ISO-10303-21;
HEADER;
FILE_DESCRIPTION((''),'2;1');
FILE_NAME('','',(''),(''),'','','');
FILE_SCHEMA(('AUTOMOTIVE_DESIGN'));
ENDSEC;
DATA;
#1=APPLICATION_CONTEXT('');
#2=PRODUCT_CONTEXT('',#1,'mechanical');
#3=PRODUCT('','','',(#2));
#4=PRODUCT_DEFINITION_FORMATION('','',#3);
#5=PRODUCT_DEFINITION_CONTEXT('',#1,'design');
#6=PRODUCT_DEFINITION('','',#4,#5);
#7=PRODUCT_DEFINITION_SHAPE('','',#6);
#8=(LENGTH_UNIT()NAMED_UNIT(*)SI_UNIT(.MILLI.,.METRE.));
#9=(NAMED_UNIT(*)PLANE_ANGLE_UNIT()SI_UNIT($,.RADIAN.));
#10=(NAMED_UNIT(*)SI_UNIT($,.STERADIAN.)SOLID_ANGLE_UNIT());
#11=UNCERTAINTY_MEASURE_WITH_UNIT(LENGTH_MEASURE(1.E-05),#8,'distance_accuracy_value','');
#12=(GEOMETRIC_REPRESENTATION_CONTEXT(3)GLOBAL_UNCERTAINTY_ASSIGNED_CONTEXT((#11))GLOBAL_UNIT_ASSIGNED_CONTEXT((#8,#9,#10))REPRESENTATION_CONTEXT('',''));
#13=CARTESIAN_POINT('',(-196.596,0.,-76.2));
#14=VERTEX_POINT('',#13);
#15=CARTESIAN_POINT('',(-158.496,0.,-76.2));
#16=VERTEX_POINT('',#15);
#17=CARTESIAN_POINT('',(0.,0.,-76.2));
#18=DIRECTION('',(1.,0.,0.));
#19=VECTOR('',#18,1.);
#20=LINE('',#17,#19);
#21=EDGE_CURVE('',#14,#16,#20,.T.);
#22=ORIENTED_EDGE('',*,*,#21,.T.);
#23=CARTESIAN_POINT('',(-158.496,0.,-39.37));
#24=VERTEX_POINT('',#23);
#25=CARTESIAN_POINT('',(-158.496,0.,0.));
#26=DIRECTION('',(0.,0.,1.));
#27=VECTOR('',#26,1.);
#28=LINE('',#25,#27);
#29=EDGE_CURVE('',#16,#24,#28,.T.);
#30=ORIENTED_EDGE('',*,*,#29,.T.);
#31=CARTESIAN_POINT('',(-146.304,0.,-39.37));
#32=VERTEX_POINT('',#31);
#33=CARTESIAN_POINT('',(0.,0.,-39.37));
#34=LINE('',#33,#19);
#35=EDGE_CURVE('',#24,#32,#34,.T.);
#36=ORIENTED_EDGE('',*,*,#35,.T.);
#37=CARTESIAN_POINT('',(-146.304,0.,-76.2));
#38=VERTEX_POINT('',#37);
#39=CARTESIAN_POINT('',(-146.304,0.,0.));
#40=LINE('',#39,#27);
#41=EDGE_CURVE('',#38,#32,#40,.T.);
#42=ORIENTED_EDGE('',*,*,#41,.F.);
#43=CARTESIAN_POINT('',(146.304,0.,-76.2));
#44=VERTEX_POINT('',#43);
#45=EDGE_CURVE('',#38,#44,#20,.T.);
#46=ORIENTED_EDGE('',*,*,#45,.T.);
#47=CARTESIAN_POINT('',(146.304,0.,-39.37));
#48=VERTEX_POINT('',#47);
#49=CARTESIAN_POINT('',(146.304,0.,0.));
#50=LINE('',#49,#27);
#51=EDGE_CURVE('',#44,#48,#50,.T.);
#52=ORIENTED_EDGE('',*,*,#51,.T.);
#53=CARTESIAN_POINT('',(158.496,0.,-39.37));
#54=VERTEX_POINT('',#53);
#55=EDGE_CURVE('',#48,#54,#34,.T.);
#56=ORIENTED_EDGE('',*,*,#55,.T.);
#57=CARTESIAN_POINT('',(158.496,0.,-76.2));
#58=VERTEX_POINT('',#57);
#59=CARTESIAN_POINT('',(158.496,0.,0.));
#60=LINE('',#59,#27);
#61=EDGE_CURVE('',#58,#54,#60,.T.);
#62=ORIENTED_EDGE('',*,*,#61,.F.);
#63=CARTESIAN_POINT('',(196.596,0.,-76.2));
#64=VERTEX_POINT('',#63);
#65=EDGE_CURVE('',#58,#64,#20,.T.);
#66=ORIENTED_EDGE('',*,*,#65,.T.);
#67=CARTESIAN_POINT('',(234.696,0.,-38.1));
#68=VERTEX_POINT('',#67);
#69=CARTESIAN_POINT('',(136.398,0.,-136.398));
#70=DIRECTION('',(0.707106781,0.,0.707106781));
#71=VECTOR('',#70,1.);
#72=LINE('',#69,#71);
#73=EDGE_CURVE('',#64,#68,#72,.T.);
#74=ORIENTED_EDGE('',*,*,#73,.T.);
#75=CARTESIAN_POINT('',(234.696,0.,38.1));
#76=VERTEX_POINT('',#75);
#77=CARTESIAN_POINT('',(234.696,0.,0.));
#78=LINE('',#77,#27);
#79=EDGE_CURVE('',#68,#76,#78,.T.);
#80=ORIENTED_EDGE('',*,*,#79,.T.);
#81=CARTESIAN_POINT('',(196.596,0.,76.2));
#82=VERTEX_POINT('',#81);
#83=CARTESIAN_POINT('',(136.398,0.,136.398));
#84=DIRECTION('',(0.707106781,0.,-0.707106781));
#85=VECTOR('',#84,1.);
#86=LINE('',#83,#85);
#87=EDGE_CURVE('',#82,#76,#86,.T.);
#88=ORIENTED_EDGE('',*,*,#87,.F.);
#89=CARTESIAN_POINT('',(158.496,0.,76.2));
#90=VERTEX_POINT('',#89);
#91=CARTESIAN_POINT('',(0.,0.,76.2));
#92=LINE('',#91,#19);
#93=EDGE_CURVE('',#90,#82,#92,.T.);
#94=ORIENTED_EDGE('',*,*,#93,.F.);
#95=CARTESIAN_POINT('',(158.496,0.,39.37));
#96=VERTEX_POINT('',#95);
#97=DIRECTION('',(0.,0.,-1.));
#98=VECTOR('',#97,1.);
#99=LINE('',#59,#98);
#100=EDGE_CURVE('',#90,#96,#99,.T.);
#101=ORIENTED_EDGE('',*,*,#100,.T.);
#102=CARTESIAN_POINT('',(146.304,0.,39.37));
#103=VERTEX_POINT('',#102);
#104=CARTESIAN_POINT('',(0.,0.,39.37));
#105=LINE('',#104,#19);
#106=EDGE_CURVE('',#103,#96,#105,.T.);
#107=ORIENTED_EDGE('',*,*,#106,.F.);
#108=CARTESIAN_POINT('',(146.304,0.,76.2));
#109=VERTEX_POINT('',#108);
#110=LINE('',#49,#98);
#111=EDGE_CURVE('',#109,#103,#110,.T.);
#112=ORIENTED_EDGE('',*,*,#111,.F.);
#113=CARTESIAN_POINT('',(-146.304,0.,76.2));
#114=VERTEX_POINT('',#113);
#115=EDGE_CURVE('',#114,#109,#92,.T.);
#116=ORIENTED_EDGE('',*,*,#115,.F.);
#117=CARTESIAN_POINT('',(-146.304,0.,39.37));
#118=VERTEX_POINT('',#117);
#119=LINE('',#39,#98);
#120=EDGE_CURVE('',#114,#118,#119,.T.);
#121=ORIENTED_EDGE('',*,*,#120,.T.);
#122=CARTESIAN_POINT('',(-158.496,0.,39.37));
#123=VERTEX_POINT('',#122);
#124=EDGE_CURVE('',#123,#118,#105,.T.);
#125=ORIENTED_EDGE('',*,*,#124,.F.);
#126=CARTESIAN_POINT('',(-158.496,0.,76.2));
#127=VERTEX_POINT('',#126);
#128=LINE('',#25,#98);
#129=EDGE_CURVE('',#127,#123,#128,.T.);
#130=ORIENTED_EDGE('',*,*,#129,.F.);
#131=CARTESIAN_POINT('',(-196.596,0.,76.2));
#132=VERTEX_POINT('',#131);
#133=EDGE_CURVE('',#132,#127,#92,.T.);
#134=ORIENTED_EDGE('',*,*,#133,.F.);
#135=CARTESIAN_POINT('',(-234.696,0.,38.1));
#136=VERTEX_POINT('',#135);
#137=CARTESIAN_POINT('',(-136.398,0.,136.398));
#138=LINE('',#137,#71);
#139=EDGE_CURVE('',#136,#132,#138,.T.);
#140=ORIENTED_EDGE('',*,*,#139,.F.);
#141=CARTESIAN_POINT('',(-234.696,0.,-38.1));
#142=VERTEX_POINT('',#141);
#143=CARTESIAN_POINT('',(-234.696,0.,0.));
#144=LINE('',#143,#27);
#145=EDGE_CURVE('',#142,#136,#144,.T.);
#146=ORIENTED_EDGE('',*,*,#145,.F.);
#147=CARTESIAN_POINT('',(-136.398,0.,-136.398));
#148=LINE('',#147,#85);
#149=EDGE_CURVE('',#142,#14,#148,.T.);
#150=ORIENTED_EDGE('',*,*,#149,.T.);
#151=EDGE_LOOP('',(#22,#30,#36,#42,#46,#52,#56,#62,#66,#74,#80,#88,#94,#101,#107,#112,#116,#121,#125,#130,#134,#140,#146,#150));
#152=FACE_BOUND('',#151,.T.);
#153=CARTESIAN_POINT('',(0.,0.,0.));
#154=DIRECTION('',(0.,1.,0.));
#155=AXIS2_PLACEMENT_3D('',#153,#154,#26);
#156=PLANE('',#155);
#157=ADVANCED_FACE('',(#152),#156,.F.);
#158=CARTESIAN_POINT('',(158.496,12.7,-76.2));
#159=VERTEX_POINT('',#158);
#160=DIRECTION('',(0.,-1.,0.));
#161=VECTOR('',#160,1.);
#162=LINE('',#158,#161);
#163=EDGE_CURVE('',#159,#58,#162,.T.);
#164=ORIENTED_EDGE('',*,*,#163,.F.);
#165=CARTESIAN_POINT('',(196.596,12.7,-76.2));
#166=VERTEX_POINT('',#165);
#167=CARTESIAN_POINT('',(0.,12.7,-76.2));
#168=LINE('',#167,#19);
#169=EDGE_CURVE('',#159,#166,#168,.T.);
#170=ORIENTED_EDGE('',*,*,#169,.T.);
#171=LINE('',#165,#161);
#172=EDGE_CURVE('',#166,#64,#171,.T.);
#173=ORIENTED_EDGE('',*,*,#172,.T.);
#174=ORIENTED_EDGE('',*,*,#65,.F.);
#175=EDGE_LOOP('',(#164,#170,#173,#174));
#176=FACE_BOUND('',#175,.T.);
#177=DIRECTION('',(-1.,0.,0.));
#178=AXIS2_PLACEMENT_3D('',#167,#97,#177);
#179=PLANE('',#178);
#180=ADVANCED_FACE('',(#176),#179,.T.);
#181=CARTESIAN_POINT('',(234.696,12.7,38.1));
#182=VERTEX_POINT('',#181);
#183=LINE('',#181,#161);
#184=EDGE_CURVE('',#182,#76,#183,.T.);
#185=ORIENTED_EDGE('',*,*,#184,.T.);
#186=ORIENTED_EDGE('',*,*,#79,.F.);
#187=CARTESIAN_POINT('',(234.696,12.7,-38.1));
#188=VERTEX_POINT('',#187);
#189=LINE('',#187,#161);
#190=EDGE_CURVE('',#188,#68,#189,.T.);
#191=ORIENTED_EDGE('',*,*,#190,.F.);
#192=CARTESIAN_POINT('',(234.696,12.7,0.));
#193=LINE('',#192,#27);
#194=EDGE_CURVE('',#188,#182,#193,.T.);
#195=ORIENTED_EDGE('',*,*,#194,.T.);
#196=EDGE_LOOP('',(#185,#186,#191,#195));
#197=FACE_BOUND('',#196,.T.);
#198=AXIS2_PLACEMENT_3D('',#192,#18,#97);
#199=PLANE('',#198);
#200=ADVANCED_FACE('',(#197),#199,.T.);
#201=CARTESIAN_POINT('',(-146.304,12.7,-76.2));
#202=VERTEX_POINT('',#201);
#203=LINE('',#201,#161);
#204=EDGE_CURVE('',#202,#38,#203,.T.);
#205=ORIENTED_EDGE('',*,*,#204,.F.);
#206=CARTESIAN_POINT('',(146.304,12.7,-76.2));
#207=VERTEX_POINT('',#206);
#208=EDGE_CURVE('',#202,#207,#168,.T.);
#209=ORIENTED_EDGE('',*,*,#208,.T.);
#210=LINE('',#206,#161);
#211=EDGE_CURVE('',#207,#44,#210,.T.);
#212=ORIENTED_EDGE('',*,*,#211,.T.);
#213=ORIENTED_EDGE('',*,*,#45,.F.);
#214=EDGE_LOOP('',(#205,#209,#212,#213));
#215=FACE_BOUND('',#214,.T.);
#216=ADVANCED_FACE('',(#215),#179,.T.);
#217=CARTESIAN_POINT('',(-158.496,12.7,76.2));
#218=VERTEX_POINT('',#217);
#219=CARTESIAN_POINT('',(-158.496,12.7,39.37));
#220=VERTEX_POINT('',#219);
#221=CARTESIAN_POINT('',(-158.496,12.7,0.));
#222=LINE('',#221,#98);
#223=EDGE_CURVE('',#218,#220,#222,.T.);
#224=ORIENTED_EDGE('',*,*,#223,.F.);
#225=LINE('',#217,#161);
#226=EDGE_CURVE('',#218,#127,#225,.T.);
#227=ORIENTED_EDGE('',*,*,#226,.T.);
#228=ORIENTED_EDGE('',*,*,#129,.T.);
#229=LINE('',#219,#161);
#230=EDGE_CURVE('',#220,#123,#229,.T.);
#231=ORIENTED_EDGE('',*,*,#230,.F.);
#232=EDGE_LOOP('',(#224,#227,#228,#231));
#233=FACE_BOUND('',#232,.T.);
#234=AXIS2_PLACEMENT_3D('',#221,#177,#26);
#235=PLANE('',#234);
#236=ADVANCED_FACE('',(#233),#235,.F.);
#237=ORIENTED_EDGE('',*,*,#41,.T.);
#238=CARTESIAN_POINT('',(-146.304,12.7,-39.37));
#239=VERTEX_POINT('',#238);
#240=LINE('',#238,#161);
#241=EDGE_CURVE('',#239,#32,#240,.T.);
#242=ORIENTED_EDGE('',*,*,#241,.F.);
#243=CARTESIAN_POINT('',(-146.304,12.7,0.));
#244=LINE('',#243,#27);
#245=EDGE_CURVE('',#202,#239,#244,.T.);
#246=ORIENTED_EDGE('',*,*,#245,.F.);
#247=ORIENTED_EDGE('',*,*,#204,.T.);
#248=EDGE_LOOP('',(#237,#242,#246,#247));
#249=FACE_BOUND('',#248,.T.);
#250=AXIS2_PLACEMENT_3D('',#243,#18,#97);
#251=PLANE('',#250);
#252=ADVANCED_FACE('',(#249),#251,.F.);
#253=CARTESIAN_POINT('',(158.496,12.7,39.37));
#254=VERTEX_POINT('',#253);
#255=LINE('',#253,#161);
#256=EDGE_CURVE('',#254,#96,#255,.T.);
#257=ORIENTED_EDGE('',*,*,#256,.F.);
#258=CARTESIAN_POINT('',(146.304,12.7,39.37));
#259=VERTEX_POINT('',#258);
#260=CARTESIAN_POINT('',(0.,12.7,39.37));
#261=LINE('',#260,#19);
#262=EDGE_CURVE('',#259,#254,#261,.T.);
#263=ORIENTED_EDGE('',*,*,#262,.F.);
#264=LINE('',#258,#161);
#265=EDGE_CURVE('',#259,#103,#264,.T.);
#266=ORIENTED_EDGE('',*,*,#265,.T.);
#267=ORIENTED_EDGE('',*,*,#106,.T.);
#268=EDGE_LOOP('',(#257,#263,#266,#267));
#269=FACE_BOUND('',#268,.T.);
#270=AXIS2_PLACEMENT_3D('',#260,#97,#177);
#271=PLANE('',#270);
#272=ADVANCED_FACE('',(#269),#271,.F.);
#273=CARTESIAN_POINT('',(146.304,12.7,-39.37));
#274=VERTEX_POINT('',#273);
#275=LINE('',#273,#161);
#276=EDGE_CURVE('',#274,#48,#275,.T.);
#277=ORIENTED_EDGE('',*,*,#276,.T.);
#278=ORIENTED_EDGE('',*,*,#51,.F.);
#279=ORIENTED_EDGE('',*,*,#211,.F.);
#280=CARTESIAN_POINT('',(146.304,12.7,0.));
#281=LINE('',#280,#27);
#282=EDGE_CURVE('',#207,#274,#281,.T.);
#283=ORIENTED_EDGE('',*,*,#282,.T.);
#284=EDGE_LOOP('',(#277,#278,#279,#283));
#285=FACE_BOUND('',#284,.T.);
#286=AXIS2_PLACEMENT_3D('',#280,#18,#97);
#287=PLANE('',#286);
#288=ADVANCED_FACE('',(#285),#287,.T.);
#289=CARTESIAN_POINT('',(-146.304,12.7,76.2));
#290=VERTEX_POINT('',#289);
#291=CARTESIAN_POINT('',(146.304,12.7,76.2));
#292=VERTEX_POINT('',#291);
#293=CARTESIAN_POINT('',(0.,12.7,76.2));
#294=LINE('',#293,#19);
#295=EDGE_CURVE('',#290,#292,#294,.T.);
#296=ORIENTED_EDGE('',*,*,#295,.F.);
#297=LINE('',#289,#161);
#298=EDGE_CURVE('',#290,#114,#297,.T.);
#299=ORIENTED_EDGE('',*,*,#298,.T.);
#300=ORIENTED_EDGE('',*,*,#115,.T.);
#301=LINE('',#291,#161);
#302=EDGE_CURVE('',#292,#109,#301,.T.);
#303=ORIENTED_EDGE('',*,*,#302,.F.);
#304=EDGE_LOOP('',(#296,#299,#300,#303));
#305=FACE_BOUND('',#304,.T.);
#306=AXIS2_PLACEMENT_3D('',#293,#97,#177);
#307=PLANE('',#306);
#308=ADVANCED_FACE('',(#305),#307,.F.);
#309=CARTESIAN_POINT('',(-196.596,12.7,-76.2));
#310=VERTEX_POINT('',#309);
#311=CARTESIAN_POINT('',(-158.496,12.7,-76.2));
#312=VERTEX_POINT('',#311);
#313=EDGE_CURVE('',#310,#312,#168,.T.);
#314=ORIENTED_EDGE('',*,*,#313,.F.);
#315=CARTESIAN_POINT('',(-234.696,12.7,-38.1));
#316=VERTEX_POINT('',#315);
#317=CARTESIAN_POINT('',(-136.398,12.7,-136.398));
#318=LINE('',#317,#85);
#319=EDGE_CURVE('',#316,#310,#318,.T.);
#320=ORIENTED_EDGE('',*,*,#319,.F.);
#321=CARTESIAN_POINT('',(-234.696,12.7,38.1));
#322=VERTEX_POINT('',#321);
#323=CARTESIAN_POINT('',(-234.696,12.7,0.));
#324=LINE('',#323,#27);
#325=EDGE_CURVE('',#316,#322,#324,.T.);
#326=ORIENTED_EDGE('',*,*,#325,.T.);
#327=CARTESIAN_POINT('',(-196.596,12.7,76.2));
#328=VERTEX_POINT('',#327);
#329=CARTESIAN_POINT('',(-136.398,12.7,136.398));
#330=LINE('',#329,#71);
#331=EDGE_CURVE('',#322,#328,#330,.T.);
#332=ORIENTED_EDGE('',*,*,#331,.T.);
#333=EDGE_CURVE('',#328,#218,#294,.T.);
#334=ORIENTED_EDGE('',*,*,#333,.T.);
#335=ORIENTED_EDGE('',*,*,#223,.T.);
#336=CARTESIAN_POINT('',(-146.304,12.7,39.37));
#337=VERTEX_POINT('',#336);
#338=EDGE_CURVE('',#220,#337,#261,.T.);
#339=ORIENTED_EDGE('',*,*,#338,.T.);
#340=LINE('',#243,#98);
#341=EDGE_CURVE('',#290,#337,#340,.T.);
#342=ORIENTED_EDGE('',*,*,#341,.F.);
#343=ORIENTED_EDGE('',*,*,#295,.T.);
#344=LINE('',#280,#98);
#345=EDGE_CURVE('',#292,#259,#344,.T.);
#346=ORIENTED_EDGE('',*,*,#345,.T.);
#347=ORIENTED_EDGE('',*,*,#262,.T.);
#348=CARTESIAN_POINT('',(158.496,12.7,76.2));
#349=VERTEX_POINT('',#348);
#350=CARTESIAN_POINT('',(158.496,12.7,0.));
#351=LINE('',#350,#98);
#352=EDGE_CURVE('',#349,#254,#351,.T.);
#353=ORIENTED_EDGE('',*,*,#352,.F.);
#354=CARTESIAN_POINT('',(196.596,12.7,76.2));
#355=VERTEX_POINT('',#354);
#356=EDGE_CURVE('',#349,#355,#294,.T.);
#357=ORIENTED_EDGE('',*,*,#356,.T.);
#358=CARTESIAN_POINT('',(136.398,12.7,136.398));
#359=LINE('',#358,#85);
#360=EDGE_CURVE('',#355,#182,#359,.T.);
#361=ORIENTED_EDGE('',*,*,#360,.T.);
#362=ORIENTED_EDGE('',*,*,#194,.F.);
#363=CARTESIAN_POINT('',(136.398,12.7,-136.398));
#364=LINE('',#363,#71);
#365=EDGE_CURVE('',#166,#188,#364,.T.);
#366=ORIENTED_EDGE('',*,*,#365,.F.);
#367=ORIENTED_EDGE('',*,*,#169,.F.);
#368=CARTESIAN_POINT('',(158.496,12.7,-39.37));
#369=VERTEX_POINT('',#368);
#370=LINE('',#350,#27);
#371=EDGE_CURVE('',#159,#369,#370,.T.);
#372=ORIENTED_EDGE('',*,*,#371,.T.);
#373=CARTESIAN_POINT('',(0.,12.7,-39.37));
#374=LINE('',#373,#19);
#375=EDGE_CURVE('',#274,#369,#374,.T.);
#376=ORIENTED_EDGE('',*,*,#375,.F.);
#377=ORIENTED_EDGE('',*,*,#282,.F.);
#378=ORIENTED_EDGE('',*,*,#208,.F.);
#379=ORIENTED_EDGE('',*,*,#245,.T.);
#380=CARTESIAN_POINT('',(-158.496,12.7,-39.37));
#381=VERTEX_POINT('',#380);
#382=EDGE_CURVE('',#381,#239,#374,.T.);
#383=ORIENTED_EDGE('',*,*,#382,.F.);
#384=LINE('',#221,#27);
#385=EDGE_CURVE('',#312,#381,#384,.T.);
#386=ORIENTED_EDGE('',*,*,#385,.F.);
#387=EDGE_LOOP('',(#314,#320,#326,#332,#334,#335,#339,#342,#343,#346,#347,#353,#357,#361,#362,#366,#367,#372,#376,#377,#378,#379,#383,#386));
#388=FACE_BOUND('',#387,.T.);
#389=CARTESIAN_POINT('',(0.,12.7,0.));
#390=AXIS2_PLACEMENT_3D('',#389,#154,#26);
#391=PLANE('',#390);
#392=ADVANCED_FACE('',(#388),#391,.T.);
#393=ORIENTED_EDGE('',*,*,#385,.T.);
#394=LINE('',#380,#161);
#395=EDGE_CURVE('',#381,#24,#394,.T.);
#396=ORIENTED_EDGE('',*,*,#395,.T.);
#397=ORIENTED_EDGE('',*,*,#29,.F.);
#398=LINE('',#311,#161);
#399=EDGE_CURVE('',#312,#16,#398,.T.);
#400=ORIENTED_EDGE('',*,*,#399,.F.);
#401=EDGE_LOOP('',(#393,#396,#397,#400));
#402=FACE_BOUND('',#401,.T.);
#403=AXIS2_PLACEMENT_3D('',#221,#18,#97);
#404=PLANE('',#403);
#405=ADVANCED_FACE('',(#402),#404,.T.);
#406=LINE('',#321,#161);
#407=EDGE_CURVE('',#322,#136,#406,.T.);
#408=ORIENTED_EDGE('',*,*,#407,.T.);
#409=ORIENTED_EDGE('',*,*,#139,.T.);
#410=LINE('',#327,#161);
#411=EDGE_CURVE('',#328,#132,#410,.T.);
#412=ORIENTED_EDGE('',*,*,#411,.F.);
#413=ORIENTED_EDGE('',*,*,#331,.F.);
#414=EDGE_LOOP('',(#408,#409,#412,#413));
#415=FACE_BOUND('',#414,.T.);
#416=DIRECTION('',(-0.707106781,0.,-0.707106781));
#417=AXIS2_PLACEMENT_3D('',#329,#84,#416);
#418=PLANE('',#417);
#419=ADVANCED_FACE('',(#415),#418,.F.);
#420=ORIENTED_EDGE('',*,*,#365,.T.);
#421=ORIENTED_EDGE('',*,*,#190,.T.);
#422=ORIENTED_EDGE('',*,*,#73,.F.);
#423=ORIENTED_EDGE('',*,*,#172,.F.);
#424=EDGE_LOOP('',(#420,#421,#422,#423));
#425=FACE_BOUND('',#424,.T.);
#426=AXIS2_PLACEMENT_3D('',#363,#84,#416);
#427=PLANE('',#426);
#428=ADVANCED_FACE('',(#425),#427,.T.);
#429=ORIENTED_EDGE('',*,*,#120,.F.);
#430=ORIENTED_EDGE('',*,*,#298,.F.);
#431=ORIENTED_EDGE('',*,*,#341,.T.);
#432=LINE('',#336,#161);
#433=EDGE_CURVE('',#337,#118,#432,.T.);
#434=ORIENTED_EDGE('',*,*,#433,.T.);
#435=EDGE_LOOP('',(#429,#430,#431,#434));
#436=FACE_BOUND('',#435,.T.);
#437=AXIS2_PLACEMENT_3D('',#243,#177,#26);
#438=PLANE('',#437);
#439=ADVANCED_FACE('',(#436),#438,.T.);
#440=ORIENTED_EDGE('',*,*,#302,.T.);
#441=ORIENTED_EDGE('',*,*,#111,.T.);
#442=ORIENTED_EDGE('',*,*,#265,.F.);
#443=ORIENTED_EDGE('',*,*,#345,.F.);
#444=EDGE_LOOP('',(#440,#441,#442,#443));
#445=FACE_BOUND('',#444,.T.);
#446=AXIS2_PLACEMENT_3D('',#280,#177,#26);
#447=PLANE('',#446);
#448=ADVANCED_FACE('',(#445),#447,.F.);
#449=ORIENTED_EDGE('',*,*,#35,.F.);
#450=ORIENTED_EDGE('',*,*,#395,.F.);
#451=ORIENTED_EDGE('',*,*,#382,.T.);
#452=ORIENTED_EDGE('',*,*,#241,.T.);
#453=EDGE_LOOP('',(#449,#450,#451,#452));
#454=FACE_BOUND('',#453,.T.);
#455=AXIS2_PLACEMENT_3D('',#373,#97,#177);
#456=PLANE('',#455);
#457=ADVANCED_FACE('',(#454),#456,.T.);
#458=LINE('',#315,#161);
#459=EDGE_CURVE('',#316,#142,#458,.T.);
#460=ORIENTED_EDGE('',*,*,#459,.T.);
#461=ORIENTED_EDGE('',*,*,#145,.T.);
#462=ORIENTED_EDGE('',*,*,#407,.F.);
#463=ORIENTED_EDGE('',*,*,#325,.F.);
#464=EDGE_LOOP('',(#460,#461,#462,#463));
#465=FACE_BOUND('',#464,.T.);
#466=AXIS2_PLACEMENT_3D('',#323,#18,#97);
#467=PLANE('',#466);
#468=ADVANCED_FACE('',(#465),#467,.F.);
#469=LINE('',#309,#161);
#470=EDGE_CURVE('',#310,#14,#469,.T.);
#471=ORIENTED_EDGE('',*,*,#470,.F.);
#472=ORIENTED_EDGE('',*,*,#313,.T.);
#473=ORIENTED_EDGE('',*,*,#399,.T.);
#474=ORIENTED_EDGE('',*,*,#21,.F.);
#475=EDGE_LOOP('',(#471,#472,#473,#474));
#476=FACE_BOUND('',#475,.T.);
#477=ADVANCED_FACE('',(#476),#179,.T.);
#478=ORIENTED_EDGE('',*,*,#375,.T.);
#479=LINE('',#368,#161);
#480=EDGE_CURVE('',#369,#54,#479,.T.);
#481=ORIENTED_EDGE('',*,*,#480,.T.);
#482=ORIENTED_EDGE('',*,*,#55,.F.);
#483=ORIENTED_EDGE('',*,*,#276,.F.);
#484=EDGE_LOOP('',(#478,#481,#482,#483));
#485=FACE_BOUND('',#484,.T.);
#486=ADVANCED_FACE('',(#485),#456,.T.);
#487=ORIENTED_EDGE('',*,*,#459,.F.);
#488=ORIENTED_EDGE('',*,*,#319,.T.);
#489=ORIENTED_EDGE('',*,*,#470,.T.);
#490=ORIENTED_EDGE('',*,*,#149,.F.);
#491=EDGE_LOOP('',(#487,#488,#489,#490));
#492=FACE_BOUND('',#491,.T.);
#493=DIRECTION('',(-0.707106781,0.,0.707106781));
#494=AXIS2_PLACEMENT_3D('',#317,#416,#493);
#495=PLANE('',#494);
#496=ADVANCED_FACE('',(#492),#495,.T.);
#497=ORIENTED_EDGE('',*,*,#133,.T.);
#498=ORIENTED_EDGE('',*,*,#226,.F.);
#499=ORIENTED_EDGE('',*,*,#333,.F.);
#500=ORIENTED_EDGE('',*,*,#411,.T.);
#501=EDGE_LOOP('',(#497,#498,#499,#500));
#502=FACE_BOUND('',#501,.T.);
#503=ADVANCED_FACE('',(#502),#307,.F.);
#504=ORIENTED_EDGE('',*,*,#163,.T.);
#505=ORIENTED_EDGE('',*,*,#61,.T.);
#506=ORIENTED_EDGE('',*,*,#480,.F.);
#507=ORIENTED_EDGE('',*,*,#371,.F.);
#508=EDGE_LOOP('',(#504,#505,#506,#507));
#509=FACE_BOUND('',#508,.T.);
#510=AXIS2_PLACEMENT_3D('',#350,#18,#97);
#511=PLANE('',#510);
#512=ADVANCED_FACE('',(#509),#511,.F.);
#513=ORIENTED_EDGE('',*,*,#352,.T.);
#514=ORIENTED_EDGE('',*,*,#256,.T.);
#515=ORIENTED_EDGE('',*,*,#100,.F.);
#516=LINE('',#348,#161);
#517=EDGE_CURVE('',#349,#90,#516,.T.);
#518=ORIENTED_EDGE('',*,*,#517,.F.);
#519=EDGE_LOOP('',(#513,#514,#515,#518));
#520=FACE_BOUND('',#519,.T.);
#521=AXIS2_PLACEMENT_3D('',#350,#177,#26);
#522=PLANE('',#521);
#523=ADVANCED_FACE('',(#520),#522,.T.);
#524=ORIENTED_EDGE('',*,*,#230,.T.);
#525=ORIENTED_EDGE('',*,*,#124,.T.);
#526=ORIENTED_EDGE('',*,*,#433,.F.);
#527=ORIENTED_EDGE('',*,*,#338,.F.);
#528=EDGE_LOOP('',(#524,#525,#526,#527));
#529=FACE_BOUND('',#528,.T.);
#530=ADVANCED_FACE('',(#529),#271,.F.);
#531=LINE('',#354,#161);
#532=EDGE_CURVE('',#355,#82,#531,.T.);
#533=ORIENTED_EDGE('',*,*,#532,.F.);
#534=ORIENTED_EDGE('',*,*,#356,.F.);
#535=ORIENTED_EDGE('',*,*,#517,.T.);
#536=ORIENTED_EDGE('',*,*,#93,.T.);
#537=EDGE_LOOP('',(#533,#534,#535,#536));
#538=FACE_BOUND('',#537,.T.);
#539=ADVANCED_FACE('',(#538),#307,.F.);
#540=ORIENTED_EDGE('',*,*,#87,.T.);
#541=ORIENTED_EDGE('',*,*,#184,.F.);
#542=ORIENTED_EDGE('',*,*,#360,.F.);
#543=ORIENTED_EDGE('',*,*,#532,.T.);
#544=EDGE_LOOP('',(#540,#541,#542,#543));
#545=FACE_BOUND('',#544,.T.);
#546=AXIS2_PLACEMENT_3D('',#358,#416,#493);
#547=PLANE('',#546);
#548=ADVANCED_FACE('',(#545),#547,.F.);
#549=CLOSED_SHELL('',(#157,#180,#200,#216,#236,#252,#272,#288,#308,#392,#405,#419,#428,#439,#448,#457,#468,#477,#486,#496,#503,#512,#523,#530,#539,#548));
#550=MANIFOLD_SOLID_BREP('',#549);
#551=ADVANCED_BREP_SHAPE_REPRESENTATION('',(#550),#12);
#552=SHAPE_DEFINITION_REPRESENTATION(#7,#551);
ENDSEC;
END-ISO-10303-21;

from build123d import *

# Parameters (mm, degrees)
BOSS_EXTRUDE1_DEPTH = 12.7


with BuildPart() as part:
    # Sketch1 → Boss-Extrude1 (new body)
    with BuildSketch(Plane(origin=(0, 0, 0), x_dir=(1, 0, 0), z_dir=(0, 1, 0))):
        Polygon((-196.596, 76.2), (-234.696, 38.1), (-234.696, -38.1), (-196.596, -76.2), (-158.496, -76.2), (-158.496, -39.37), (-146.304, -39.37), (-146.304, -76.2), (146.304, -76.2), (146.304, -39.37), (158.496, -39.37), (158.496, -76.2), (196.596, -76.2), (234.696, -38.1), (234.696, 38.1), (196.596, 76.2), (158.496, 76.2), (158.496, 39.37), (146.304, 39.37), (146.304, 76.2), (-146.304, 76.2), (-146.304, 39.37), (-158.496, 39.37), (-158.496, 76.2), align=None)
    extrude(amount=BOSS_EXTRUDE1_DEPTH)


solid = part.part
